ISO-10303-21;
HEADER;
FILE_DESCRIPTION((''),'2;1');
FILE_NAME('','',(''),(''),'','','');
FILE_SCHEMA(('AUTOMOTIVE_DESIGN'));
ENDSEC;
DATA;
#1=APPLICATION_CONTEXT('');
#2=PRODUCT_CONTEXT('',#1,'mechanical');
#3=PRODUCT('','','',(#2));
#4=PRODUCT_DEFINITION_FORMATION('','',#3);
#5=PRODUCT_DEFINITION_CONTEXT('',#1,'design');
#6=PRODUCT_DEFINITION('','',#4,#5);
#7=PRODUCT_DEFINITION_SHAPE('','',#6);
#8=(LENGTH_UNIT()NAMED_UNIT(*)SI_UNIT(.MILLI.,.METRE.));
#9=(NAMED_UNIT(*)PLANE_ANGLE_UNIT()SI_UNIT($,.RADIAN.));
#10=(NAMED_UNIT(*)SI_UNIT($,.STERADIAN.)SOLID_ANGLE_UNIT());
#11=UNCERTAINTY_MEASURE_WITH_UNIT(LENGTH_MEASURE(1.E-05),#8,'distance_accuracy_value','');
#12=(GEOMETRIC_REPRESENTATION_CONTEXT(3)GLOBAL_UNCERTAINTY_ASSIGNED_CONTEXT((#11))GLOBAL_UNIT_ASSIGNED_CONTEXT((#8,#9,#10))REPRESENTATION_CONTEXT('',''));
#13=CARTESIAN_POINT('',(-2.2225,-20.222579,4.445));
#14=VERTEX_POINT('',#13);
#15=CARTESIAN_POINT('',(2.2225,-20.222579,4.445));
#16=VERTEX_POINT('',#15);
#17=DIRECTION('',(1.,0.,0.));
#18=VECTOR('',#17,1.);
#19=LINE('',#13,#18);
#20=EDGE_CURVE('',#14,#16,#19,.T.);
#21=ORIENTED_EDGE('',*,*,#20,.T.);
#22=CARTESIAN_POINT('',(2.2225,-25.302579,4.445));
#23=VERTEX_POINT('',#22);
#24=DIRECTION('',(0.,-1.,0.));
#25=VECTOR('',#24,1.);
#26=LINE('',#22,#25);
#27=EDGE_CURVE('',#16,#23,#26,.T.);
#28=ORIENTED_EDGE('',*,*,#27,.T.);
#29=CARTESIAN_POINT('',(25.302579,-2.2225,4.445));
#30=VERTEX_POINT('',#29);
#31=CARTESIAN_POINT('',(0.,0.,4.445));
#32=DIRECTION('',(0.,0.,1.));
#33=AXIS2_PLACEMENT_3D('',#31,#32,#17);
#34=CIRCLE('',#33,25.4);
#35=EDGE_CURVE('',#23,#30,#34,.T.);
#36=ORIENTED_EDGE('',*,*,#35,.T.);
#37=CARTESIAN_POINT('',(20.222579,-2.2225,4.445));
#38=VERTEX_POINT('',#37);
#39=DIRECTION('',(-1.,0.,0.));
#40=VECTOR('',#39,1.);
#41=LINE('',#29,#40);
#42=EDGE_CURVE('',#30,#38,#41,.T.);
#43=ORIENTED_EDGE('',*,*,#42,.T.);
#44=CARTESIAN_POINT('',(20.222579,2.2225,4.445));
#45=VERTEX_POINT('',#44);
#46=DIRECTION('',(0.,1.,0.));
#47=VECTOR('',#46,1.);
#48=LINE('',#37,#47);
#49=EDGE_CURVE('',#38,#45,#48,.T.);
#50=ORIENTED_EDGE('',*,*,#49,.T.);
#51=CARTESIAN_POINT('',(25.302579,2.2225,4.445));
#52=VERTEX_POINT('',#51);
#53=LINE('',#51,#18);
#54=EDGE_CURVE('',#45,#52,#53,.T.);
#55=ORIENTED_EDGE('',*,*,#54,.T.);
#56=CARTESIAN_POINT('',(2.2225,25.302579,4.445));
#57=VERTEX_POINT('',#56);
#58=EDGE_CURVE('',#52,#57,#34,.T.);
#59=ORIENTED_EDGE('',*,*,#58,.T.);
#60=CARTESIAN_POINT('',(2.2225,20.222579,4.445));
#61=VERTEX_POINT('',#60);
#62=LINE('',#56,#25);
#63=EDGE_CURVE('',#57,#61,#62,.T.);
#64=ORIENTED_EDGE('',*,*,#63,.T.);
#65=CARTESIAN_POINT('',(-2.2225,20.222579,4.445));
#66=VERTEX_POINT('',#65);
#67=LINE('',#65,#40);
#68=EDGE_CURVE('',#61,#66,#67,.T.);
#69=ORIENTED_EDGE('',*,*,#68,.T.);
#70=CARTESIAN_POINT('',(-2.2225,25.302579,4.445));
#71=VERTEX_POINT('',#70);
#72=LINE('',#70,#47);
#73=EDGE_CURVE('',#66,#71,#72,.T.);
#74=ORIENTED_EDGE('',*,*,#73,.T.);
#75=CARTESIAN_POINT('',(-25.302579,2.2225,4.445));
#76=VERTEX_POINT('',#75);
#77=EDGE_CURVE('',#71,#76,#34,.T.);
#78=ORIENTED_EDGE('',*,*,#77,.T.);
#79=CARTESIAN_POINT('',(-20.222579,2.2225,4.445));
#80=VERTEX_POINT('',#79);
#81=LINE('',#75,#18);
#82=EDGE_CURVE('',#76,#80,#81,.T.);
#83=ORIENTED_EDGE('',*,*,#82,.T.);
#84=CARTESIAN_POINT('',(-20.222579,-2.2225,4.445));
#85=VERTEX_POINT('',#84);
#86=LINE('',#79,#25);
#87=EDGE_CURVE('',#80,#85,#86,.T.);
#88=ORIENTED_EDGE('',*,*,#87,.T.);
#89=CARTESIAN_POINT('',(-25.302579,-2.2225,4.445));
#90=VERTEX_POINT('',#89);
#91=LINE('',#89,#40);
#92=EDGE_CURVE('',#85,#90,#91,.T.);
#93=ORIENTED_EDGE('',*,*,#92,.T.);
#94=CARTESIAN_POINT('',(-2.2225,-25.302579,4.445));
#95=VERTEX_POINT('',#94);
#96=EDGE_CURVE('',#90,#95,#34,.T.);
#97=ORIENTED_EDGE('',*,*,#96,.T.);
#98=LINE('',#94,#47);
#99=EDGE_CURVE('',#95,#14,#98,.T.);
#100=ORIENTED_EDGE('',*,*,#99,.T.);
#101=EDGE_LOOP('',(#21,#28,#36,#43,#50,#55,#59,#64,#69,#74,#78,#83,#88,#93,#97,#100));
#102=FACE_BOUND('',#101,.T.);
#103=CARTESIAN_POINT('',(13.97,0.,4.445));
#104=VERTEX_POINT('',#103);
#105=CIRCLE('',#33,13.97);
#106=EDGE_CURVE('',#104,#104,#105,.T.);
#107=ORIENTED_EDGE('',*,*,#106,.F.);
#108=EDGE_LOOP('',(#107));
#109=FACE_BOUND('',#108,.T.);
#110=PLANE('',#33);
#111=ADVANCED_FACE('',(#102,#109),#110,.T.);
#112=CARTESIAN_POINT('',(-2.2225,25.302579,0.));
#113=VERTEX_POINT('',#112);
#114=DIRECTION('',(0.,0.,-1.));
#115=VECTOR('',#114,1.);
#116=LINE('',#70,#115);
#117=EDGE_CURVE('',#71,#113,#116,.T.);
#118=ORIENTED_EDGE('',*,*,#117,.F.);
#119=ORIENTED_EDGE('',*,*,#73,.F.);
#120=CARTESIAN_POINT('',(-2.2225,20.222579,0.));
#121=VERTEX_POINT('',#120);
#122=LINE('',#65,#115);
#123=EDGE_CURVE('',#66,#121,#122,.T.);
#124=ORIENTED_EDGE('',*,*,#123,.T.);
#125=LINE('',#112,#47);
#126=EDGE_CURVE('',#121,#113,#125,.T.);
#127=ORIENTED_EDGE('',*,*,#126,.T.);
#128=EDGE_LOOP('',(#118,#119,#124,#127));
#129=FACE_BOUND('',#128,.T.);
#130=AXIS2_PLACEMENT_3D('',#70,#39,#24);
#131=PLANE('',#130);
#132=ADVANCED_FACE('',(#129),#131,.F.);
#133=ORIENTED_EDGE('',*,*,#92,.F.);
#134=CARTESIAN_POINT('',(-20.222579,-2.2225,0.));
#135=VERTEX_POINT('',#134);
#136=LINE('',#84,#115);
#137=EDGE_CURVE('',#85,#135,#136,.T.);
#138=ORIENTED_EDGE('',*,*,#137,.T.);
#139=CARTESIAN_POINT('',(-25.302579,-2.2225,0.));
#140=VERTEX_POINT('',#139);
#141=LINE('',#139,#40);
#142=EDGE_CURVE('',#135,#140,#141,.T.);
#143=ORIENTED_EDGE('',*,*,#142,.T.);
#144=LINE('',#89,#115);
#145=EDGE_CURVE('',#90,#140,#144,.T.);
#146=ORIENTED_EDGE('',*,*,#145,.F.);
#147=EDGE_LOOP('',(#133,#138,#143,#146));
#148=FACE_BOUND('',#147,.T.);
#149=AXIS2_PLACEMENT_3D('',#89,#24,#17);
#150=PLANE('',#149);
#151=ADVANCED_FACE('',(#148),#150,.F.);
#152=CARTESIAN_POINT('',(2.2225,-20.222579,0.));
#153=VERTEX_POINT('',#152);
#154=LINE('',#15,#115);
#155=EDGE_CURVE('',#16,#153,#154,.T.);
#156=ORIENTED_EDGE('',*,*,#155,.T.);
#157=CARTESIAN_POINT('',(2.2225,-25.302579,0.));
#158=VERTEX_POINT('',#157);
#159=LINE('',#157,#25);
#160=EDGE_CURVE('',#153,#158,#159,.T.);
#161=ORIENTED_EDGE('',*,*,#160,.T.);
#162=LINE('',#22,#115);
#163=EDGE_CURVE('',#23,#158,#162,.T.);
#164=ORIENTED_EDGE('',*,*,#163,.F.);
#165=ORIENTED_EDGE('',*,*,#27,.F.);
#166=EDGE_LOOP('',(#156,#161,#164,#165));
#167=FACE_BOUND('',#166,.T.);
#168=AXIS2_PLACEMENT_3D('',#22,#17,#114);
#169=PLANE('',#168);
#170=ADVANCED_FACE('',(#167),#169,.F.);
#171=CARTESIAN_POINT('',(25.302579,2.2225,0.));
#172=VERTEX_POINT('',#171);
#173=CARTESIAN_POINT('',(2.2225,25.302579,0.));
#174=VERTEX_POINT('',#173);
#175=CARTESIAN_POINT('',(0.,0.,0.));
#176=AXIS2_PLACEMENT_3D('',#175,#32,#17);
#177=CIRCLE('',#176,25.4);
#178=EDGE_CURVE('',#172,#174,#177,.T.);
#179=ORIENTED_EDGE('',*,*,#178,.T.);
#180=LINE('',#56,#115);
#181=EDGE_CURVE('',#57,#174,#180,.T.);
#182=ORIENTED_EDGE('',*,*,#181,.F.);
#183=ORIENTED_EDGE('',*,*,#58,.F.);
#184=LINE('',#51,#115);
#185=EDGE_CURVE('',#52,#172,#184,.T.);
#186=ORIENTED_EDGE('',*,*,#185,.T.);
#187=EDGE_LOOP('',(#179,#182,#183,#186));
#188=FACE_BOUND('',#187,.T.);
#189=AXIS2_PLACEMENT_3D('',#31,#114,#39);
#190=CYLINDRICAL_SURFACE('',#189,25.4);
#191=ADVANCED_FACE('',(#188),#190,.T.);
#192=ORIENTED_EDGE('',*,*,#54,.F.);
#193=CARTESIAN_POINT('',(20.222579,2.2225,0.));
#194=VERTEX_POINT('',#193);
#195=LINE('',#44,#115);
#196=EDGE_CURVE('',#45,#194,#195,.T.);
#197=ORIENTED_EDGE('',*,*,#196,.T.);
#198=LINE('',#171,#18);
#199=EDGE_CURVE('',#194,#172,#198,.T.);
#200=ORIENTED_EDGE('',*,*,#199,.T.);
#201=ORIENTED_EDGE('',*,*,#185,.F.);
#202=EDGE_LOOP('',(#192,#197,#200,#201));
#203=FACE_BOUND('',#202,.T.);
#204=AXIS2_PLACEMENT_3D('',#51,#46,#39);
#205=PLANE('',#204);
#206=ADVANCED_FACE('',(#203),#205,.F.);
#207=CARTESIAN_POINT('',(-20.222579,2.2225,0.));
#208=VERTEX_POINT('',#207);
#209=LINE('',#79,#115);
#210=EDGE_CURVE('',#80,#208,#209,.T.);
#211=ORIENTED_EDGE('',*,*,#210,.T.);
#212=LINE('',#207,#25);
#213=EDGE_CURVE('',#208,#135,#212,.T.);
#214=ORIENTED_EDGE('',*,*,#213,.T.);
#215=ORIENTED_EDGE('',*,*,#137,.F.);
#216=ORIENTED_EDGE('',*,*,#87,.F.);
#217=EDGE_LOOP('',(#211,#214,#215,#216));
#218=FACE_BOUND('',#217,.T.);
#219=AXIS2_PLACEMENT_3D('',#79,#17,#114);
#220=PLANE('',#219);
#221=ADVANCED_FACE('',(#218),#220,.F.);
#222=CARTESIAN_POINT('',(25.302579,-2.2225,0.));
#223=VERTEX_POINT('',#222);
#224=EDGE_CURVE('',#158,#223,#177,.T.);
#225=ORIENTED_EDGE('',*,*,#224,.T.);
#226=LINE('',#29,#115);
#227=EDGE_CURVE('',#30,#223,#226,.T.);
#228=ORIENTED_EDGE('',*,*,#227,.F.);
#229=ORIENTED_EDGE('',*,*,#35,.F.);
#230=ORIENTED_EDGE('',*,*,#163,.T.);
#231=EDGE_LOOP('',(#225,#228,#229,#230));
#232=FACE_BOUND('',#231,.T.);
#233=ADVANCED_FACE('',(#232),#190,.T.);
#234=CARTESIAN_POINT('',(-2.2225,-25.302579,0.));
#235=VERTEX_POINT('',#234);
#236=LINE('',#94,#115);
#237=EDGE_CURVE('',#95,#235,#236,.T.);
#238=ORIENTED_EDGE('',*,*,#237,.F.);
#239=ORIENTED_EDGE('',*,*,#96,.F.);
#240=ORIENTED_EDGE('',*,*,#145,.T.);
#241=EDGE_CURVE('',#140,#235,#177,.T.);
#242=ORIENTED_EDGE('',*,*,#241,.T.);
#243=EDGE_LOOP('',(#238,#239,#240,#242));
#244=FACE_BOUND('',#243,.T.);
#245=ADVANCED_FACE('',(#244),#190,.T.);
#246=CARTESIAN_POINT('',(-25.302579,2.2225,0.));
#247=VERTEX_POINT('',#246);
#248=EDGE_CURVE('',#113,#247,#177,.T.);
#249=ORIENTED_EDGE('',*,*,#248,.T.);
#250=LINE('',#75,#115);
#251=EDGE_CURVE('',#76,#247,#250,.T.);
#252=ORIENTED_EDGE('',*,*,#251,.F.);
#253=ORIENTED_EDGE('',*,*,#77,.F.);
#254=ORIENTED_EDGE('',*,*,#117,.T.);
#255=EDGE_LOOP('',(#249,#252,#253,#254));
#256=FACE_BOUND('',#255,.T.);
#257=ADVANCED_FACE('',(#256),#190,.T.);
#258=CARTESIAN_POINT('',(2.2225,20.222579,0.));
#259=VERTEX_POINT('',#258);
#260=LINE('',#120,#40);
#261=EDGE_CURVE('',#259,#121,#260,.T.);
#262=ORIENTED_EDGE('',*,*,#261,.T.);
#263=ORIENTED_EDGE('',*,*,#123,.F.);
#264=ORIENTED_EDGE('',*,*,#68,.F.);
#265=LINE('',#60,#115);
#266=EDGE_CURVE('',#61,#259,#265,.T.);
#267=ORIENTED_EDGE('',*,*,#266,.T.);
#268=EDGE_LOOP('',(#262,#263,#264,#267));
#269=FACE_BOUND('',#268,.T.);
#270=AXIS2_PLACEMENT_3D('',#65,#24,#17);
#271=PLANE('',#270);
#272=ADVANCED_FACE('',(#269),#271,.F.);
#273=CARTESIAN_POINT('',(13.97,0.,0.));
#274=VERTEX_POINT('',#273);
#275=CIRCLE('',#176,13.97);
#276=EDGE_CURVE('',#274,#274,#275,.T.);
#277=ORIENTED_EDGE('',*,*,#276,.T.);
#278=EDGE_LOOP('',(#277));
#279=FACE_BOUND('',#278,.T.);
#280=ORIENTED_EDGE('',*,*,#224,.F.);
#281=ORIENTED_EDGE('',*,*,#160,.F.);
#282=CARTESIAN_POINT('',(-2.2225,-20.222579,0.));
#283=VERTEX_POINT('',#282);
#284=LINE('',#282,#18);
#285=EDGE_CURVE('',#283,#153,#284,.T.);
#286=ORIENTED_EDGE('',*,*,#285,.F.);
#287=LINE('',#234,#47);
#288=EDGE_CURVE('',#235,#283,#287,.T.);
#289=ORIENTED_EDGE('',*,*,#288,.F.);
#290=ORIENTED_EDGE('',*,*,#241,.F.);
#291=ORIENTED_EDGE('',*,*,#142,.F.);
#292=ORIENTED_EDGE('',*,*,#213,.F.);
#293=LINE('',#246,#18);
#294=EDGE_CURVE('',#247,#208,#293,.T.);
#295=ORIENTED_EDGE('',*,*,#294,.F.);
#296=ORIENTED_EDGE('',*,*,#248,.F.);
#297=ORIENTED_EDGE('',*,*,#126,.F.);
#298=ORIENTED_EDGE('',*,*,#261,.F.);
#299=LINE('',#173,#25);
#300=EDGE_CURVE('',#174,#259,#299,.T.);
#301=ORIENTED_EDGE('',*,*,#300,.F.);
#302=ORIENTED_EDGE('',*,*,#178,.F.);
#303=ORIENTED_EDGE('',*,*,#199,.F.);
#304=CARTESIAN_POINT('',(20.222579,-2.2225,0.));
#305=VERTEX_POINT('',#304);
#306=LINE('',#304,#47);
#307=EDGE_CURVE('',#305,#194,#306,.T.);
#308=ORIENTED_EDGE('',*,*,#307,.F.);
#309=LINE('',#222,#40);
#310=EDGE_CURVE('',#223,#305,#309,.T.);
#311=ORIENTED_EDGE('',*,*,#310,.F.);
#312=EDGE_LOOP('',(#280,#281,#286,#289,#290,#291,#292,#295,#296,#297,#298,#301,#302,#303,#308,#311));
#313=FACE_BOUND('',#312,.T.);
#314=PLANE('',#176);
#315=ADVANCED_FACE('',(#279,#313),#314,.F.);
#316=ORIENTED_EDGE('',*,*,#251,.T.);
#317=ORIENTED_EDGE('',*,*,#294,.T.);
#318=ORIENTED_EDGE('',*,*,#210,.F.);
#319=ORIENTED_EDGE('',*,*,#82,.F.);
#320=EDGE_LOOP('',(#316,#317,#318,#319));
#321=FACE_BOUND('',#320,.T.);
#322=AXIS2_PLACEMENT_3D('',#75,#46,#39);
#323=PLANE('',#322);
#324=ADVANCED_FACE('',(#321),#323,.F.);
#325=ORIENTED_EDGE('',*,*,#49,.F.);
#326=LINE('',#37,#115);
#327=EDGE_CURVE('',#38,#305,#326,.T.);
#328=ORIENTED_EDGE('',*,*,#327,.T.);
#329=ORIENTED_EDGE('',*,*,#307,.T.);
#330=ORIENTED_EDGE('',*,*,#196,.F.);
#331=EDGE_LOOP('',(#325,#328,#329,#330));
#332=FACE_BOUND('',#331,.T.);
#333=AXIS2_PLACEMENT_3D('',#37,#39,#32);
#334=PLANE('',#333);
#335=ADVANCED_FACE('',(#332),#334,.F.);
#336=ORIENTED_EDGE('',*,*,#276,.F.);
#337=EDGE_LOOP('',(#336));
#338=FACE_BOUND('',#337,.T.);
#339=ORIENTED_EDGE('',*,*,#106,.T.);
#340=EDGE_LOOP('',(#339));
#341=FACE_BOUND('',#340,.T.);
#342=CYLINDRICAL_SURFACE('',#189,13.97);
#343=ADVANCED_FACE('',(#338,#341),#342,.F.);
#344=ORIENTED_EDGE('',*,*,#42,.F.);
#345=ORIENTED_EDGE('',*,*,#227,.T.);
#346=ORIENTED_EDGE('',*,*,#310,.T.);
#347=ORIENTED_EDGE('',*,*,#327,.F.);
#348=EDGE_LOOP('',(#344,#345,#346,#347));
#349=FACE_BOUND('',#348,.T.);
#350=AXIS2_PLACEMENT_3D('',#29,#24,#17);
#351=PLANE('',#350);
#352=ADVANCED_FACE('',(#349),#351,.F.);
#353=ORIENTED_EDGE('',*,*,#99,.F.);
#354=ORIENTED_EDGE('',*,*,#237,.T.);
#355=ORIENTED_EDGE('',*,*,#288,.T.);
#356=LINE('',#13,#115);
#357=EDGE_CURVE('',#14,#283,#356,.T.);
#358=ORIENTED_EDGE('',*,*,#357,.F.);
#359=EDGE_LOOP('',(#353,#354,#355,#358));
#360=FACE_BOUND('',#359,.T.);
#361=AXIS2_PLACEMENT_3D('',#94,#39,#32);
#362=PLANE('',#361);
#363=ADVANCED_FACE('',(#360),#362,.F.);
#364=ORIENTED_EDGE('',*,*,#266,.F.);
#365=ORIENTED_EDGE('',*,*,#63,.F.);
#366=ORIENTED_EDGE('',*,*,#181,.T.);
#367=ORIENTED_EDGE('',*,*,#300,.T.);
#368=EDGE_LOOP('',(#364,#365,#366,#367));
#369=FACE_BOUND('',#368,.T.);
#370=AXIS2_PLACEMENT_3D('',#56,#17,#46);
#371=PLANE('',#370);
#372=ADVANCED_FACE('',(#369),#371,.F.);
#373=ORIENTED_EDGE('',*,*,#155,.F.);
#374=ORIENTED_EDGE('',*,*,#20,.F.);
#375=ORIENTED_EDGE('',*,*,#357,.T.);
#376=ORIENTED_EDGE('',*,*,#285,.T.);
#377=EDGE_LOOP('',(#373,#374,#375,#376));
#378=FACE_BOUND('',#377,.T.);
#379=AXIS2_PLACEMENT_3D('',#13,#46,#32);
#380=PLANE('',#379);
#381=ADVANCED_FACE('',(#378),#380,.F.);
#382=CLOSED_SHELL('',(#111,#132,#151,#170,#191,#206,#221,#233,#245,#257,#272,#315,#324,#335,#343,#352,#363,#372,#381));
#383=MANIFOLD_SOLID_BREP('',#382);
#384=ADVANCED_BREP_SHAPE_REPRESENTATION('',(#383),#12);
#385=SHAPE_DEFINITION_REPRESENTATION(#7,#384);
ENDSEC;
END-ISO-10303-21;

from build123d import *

# Parameters (mm, degrees)
SKETCH1_R           = 13.97
BOSS_EXTRUDE1_DEPTH = 4.445


with BuildPart() as part:
    # Sketch1 → Boss-Extrude1 (new body)
    with BuildSketch(Plane.XY):
        with BuildLine():
            Line((25.302578796, -2.2225), (20.222578796, -2.2225))
            Line((20.222578796, -2.2225), (20.222578796, 2.2225))
            Line((20.222578796, 2.2225), (25.302578796, 2.2225))
            ThreePointArc((25.302578796, 2.2225), (17.960512242, 17.960512242), (2.2225, 25.302578796))
            Line((2.2225, 25.302578796), (2.2225, 20.222578796))
            Line((2.2225, 20.222578796), (-2.2225, 20.222578796))
            Line((-2.2225, 20.222578796), (-2.2225, 25.302578796))
            ThreePointArc((-2.2225, 25.302578796), (-17.960512242, 17.960512242), (-25.302578796, 2.2225))
            Line((-25.302578796, 2.2225), (-20.222578796, 2.2225))
            Line((-20.222578796, 2.2225), (-20.222578796, -2.2225))
            Line((-20.222578796, -2.2225), (-25.302578796, -2.2225))
            ThreePointArc((-25.302578796, -2.2225), (-17.960512242, -17.960512242), (-2.2225, -25.302578796))
            Line((-2.2225, -25.302578796), (-2.2225, -20.222578796))
            Line((-2.2225, -20.222578796), (2.2225, -20.222578796))
            Line((2.2225, -20.222578796), (2.2225, -25.302578796))
            ThreePointArc((2.2225, -25.302578796), (17.960512242, -17.960512242), (25.302578796, -2.2225))
        make_face()
        Circle(SKETCH1_R, mode=Mode.SUBTRACT)
    extrude(amount=BOSS_EXTRUDE1_DEPTH)


solid = part.part
